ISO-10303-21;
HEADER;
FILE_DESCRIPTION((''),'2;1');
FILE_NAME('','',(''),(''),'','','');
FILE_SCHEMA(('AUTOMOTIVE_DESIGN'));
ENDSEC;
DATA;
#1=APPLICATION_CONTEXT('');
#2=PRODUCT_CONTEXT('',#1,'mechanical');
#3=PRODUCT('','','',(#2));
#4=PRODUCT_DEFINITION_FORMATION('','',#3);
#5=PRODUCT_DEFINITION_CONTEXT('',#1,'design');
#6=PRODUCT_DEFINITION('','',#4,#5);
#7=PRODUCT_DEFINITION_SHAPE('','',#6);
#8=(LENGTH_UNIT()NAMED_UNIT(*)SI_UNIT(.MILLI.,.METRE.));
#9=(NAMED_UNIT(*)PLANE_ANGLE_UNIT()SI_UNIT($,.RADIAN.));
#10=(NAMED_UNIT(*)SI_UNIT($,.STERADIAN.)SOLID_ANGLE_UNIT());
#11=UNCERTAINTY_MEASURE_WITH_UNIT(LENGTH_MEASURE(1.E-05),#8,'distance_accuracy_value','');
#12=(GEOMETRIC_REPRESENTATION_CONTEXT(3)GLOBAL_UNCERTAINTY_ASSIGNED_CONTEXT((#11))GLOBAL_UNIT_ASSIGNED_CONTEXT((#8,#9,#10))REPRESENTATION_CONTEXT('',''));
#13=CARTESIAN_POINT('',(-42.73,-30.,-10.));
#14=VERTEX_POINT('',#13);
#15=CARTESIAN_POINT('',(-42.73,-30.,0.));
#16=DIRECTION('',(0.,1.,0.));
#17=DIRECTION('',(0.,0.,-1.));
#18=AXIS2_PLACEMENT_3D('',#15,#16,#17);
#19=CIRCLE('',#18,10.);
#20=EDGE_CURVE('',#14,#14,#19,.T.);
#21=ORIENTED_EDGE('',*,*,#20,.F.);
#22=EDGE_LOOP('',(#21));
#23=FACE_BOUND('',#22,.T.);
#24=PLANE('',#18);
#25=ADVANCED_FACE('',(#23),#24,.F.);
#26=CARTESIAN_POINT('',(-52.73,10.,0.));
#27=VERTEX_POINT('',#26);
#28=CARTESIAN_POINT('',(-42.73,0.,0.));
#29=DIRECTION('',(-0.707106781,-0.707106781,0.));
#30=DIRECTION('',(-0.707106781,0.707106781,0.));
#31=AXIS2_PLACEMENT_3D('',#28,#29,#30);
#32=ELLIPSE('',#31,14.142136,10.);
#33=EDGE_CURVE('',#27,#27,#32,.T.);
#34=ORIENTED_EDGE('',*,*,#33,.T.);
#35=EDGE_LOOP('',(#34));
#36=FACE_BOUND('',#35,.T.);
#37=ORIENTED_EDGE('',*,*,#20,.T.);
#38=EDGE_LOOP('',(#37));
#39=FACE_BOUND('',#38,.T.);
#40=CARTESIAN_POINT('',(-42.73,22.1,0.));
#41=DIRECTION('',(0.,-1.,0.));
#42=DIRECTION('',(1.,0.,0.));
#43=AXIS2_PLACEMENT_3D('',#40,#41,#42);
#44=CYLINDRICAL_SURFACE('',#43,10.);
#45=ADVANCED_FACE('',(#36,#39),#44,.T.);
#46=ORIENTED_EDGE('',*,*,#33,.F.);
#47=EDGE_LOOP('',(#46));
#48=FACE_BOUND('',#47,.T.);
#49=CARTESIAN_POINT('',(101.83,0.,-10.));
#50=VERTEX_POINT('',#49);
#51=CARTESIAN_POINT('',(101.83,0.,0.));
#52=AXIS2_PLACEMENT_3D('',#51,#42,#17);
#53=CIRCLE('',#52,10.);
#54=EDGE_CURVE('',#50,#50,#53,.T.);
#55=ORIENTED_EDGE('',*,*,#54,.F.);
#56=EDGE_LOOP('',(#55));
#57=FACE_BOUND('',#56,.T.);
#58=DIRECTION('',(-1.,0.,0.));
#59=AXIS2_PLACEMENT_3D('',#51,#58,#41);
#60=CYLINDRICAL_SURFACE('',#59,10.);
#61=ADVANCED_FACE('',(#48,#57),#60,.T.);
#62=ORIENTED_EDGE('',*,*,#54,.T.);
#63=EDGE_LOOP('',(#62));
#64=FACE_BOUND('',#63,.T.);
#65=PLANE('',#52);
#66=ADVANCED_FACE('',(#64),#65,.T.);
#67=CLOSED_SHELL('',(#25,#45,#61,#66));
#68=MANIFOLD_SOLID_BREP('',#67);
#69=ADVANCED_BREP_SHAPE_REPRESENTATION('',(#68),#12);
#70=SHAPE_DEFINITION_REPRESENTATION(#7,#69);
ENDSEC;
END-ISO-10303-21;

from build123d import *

# Parameters (mm, degrees)
SKETCH1_R = 10


with BuildPart() as part:
    # Sweep1: sweep along a path in Sketch2
    with BuildLine(Plane.XY) as sweep1_path:
        Line((101.83, 0), (-42.73, 0))
        Line((-42.73, 0), (-42.73, -30))
    # Sketch1 → Sweep1 (sweep)
    with BuildSketch(Plane(origin=(101.83, 0, 0), x_dir=(0, 0, -1), z_dir=(1, 0, 0))):
        Circle(SKETCH1_R)
    sweep(path=sweep1_path.line, transition=Transition.RIGHT)


solid = part.part
